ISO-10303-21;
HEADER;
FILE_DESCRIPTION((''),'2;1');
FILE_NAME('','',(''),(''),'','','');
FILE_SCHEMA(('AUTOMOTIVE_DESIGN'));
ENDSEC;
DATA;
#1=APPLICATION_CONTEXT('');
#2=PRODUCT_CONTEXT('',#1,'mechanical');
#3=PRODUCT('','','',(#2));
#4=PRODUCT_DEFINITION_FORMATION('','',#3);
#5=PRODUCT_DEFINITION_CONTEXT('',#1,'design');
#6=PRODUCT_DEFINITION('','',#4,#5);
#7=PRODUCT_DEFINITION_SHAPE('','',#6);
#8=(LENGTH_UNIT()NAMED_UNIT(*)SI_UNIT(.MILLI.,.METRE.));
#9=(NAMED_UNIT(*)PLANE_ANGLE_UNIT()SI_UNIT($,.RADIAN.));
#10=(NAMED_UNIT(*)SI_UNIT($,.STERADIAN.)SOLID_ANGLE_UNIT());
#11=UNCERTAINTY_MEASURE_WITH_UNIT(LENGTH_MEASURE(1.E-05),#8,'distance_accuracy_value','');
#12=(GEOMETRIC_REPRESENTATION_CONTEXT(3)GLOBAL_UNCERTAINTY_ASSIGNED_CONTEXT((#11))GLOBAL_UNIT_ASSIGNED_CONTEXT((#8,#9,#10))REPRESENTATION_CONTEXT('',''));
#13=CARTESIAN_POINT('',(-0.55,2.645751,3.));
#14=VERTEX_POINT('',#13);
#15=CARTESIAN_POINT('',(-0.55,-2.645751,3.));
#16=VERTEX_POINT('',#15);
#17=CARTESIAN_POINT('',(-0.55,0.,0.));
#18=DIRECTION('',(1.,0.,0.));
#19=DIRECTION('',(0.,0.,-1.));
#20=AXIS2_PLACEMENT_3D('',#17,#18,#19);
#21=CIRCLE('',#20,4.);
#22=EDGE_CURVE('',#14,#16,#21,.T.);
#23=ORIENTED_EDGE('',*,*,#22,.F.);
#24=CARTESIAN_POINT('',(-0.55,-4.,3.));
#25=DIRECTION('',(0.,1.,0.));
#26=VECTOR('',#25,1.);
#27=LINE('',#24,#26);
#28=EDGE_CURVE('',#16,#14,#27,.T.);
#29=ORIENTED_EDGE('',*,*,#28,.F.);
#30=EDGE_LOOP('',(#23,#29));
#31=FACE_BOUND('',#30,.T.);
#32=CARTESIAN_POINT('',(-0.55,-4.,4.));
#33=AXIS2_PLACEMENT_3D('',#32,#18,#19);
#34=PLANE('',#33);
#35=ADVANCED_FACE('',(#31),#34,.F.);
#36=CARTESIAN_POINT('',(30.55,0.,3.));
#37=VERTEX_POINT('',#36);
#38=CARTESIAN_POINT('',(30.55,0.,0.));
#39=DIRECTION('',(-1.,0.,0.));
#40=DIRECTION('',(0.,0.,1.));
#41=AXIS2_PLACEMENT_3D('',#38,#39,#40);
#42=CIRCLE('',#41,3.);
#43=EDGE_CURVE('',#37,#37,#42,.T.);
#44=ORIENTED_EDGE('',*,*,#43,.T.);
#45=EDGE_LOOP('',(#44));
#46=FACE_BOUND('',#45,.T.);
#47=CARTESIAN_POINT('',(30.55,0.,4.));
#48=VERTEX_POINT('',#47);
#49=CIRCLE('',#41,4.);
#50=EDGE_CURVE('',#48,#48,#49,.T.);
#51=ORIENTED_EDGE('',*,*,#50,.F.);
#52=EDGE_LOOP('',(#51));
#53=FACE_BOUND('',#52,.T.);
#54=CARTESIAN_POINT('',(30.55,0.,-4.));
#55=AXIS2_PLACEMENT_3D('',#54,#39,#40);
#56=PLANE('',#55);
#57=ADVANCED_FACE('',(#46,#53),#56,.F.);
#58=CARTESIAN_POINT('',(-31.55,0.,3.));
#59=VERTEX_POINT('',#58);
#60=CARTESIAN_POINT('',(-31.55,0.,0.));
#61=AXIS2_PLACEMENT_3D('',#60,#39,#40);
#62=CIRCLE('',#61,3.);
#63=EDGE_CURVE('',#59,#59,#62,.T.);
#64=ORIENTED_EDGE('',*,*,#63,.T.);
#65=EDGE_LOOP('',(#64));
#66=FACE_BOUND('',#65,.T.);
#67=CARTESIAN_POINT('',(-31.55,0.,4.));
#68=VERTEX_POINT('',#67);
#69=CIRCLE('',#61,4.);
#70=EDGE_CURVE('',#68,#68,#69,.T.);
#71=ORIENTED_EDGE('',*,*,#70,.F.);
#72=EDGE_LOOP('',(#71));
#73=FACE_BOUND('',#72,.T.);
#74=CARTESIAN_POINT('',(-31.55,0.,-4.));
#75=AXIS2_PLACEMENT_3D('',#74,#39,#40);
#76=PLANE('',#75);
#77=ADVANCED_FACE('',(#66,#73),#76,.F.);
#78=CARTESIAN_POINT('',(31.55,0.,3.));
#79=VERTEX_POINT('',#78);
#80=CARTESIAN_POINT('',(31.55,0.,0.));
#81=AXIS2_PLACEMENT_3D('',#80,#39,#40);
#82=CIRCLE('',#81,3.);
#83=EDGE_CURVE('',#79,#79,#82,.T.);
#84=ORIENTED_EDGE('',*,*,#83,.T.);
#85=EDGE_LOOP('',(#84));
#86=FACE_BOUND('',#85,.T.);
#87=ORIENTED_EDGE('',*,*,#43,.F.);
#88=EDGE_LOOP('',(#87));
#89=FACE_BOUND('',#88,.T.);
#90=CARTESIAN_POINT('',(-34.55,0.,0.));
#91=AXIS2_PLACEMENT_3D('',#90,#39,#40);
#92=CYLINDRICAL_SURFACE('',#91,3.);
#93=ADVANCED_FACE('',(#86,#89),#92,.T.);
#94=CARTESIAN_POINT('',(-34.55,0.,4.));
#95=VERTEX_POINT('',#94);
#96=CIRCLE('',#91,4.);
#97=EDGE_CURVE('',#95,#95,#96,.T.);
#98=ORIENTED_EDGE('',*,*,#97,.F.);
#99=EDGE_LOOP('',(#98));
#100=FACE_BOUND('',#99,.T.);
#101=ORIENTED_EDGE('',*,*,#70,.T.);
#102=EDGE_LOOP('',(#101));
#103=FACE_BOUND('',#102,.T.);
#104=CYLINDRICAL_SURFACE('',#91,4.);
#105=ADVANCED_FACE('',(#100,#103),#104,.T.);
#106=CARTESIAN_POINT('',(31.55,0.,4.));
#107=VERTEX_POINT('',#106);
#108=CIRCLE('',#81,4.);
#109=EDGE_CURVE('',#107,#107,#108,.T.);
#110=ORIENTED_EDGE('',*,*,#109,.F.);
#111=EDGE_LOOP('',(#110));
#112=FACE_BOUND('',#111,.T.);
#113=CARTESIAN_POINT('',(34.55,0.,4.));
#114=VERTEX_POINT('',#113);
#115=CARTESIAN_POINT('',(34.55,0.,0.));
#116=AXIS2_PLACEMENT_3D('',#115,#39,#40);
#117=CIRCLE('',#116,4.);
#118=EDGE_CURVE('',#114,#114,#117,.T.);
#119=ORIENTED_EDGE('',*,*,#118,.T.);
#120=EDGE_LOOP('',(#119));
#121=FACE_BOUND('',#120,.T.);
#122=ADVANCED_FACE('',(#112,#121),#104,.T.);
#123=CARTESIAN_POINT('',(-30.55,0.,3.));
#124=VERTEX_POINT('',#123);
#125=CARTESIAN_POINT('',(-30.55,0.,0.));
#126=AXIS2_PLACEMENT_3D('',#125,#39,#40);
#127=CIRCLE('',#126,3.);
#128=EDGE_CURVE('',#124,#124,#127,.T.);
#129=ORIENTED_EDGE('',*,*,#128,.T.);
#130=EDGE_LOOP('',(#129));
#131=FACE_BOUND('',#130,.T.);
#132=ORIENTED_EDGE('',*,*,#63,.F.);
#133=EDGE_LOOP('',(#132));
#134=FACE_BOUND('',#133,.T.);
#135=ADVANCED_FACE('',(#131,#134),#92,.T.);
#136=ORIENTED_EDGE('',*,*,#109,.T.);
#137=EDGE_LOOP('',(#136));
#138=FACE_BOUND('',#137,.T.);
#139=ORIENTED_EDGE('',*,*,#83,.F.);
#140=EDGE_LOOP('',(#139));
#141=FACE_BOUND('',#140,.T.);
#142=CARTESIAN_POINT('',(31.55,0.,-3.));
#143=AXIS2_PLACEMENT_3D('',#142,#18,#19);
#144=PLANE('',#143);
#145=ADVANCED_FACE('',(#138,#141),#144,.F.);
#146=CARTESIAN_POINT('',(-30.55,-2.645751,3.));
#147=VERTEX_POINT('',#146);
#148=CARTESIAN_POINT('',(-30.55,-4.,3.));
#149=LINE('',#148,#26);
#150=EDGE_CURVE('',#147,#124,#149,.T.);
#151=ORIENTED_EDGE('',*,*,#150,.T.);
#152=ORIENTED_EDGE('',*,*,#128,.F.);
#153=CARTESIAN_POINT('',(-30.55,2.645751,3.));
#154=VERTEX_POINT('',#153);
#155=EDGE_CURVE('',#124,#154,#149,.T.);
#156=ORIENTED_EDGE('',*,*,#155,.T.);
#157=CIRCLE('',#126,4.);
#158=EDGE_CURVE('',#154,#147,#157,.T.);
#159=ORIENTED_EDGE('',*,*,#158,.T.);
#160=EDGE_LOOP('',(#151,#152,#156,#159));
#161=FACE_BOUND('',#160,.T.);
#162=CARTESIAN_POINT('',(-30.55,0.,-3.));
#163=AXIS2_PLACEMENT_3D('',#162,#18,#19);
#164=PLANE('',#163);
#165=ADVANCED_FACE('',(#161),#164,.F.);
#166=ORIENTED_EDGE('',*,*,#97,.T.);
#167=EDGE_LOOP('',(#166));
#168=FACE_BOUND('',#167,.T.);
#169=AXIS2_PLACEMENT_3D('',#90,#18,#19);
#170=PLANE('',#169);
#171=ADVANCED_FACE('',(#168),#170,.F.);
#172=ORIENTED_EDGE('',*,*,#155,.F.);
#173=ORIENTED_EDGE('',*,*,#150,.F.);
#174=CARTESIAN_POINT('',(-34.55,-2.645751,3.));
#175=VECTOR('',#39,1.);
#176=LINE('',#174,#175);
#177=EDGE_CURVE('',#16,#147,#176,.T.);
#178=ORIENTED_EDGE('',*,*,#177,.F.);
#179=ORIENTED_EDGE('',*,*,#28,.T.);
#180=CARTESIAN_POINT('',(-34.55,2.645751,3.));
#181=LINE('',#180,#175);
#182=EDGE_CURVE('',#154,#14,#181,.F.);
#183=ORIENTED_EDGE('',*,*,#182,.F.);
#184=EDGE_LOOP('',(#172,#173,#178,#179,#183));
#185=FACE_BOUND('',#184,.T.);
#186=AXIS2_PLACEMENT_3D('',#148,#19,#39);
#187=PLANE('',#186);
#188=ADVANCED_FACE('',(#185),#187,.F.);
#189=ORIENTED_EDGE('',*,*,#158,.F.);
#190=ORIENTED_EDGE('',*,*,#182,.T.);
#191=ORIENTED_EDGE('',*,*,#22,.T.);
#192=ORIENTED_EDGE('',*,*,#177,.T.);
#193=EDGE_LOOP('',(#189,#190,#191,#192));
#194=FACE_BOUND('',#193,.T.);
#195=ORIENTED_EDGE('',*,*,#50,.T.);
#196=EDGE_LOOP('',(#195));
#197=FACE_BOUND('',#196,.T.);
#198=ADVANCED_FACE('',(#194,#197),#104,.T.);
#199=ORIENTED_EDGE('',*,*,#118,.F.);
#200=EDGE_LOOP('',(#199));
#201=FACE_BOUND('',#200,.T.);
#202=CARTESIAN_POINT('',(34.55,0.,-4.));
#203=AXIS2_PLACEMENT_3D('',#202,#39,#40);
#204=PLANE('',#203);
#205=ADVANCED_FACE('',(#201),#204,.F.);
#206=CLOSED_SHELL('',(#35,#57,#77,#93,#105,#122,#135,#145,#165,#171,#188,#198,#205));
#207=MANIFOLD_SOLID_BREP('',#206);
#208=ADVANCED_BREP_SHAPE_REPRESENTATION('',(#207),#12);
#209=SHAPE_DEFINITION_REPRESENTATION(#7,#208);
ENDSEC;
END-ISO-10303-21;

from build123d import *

# Parameters (mm, degrees)
CORTAR_EXTRUIR1_DEPTH      = 36.010034276
CORTAR_EXTRUIR1_DEPTH_BACK = 36.010034276
CROQUIS2_W                 = 30
CROQUIS2_H                 = 1


with BuildPart() as part:
    # Croquis1 → Revolución1 (revolve)
    with BuildSketch(Plane(origin=(0, 0, 0), x_dir=(1, 0, 0), z_dir=(0, 1, 0)), mode=Mode.PRIVATE) as revoluci_n1_sk:
        Polygon((-34.55, 0), (-34.55, 4), (-31.55, 4), (-31.55, 3), (-30.55, 3), (-30.55, 4), (30.55, 4), (30.55, 3), (31.55, 3), (31.55, 4), (34.55, 4), (34.55, 0), align=None)
    revolve(revoluci_n1_sk.sketch.rotate(Axis((-34.55, 0, 0), (1, 0, 0)), 180), axis=Axis((-34.55, 0, 0), (1, 0, 0)))

    # Croquis2 → Cortar-Extruir1 (cut, two sides: drawn at the far end of the back side and taken through both)
    with BuildSketch(Plane(origin=(0, 0, 0), x_dir=(1, 0, 0), z_dir=(0, 1, 0)).offset(-CORTAR_EXTRUIR1_DEPTH_BACK)):
        with Locations((-15.55, -3.5)):
            Rectangle(CROQUIS2_W, CROQUIS2_H)
    extrude(amount=CORTAR_EXTRUIR1_DEPTH + CORTAR_EXTRUIR1_DEPTH_BACK, mode=Mode.SUBTRACT)


solid = part.part
